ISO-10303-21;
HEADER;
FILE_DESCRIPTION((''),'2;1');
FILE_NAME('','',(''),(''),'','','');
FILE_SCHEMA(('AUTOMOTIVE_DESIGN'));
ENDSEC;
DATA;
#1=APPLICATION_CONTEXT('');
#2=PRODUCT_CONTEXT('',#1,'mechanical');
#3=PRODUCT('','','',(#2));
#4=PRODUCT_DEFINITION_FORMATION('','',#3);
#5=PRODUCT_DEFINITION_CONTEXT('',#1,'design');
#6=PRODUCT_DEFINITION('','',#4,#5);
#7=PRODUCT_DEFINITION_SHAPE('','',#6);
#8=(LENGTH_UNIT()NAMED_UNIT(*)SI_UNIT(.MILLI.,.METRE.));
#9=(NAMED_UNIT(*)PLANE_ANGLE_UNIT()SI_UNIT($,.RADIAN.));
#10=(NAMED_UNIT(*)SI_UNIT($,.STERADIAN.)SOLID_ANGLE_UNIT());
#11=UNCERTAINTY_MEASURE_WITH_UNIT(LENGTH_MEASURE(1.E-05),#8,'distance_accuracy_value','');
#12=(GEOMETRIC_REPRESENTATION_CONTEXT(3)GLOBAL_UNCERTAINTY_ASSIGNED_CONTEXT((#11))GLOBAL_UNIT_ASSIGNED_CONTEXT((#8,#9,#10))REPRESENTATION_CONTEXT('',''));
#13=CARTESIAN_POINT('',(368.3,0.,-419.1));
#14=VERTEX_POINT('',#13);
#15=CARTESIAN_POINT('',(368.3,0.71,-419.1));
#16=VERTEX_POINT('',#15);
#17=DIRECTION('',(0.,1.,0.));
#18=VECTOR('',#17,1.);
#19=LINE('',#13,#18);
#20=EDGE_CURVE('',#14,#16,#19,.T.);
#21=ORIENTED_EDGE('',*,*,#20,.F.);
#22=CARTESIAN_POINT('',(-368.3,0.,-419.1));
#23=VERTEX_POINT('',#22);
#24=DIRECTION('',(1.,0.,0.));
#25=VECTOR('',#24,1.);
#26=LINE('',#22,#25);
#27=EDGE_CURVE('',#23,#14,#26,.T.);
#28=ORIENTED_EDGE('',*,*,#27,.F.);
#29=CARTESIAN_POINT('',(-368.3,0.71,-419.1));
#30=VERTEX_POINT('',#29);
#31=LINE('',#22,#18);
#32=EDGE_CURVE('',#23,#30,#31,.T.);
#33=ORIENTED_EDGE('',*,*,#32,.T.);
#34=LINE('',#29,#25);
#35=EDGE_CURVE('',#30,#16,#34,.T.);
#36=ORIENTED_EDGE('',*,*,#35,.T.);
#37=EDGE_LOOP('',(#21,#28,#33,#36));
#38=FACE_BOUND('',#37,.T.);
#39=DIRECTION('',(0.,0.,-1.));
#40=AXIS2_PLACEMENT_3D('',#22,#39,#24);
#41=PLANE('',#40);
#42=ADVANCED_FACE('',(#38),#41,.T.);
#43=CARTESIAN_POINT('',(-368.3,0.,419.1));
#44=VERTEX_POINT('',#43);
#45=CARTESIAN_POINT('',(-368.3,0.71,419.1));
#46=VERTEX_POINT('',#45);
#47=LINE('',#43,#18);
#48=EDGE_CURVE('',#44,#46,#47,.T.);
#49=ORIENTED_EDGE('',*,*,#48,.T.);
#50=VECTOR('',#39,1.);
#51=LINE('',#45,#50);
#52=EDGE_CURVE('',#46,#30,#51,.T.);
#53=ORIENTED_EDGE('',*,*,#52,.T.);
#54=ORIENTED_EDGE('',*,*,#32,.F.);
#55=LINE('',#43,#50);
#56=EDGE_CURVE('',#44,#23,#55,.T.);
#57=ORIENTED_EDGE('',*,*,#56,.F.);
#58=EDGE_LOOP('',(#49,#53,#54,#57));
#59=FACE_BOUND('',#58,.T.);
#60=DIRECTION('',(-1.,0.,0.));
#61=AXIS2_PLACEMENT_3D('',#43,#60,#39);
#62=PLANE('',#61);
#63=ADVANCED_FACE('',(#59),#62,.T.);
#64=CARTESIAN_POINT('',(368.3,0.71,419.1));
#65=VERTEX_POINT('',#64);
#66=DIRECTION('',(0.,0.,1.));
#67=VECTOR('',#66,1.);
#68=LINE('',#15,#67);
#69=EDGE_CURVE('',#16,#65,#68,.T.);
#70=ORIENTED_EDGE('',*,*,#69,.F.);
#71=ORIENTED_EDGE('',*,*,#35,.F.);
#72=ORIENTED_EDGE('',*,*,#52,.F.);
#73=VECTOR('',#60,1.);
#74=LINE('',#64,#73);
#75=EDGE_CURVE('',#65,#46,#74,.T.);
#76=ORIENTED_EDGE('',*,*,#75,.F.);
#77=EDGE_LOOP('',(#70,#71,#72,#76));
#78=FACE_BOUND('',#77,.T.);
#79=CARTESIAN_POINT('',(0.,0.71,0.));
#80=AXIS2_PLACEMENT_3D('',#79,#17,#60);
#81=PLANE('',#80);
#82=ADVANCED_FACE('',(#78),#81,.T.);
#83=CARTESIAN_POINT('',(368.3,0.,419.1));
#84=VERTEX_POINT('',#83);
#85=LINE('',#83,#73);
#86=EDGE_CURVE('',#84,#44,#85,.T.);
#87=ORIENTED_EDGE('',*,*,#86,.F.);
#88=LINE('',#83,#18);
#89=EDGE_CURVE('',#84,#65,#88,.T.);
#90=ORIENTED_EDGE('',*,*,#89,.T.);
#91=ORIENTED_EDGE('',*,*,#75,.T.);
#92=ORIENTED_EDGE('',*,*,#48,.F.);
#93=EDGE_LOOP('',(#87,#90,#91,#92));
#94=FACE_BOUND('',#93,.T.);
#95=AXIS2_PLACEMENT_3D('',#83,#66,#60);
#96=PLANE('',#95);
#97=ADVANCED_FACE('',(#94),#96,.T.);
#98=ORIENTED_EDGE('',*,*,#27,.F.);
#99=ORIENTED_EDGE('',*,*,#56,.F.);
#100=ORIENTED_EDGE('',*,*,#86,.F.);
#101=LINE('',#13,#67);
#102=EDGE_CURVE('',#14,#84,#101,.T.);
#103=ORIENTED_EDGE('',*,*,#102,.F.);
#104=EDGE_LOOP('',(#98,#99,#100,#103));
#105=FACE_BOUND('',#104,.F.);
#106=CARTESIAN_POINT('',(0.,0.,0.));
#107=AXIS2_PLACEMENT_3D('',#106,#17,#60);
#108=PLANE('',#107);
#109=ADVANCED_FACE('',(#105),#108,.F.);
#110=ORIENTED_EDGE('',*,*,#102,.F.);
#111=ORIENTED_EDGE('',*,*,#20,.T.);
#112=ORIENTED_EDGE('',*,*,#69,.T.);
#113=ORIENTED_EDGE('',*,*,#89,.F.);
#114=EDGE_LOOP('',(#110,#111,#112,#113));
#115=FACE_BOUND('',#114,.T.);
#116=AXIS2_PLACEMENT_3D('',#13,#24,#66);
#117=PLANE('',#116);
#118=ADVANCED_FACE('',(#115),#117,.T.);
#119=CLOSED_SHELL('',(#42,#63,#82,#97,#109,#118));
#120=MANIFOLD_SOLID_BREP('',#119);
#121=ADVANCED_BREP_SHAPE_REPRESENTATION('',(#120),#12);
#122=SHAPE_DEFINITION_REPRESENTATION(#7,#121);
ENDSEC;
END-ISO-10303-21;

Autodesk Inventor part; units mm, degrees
ref_plane "YZ Plane" through (0, 0, 0) normal (1, 0, 0) x (0, 1, 0)
ref_plane "XZ Plane" through (0, 0, 0) normal (0, 1, 0) x (-1, 0, 0)
ref_plane "XY Plane" through (0, 0, 0) normal (0, 0, 1) x (1, 0, 0)
sketch "Sketch3" plane through (0, 0, 0) normal (0, 1, 0) x (-1, 0, 0)
  line L0 (-368.3, 419.1) -> (368.3, 419.1)
  line L1 (368.3, 419.1) -> (368.3, -419.1)
  line L2 (368.3, -419.1) -> (-368.3, -419.1)
  line L3 (-368.3, -419.1) -> (-368.3, 419.1)
  line L4 (-368.3, 419.1) -> (368.3, -419.1) construction
  line L5 (368.3, 419.1) -> (-368.3, -419.1) construction
  point P0 (0, 0)
  dimension "d8" = 736.6
  dimension "d9" = 838.2
extrude "Extrusion1" add sketch "Sketch3" along normal blind 0.71
properties part number "plinthScreen"
